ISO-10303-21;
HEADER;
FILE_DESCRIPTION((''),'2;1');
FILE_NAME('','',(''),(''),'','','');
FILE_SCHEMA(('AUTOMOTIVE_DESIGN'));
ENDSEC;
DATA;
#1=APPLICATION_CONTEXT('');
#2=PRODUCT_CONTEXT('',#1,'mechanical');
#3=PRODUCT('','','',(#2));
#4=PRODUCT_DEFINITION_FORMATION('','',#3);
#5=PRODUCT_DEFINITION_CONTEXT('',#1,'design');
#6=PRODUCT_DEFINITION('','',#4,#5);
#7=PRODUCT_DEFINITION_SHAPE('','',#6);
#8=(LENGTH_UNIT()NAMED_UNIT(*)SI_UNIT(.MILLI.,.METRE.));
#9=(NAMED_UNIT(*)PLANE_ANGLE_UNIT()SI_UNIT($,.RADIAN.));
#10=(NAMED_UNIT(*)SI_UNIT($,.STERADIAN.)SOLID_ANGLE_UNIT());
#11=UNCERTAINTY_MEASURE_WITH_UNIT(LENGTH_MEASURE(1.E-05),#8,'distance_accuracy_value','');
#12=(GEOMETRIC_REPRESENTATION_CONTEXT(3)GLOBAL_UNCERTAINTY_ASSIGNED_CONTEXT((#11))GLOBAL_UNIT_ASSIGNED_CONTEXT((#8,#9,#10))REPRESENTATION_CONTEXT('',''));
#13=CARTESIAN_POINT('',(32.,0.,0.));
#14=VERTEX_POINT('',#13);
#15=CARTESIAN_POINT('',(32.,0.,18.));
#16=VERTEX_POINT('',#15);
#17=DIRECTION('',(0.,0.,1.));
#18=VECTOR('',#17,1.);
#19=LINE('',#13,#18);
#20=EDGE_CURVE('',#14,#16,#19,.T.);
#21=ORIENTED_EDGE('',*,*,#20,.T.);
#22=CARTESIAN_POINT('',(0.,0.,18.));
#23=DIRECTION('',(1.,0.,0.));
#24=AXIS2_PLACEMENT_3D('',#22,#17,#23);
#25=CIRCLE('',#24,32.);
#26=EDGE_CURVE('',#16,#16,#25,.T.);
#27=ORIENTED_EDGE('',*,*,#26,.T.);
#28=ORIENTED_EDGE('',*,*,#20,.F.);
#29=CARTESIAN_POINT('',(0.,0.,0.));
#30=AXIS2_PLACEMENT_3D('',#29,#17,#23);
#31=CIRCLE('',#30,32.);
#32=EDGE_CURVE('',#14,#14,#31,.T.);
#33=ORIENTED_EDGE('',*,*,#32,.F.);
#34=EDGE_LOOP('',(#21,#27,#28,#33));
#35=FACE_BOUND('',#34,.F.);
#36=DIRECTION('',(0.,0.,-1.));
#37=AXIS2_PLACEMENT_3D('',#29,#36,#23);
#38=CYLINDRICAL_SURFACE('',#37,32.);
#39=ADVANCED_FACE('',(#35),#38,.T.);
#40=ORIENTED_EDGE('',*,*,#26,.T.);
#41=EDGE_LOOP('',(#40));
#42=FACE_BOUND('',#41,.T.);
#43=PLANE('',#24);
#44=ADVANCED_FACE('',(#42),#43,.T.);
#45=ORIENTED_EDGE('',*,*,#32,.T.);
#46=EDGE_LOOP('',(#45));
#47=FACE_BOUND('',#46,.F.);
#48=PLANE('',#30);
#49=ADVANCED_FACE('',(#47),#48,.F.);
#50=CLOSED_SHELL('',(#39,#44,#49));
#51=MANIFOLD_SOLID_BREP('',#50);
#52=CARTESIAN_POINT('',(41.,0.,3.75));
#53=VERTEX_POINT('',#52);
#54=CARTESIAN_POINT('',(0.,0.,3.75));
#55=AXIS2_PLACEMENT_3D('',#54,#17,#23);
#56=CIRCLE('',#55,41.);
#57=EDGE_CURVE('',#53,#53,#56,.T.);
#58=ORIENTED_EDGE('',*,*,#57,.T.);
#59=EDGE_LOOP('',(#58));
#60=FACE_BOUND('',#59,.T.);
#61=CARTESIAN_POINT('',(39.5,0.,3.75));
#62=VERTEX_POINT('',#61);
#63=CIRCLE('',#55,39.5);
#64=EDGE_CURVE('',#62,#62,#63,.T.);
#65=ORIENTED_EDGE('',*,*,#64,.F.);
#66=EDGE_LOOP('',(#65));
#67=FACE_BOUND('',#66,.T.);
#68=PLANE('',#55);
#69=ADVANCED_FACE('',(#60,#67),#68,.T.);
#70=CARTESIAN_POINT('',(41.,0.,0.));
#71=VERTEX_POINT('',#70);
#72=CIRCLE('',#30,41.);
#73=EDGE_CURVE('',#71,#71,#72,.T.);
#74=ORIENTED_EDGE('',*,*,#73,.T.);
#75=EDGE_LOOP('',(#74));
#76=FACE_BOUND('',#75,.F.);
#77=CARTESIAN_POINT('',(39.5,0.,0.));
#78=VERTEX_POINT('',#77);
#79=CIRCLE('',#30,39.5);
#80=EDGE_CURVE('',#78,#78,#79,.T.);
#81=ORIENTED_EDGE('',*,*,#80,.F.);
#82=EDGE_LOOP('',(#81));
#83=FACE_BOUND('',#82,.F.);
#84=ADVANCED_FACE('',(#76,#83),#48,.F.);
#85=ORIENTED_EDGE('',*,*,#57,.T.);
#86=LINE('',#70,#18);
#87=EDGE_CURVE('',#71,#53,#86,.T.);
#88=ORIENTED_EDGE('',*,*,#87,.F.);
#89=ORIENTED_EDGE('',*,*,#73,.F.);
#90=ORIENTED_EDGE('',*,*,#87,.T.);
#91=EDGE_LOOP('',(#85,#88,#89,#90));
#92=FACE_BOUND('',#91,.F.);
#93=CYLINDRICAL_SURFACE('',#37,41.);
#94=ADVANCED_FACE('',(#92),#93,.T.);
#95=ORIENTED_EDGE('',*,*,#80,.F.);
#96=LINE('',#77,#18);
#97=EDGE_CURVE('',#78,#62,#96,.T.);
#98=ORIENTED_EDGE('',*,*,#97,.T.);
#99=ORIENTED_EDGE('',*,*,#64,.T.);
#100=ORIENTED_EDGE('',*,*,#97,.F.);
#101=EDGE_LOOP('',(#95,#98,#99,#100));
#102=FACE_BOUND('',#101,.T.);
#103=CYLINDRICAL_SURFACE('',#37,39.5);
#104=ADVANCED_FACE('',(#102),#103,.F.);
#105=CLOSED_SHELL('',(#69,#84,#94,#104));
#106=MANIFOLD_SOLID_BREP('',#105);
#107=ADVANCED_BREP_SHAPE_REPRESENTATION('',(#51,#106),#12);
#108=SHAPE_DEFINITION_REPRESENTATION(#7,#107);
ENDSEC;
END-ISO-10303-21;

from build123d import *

# Parameters (mm, degrees)
F0_R     = 41
F0_R_2   = 39.5
F1_DEPTH = 3.75
F2_R     = 32
F3_DEPTH = 18


with BuildPart() as f1:
    # F0 (on Top) → F1 (new body)
    with BuildSketch(Plane.XY):
        Circle(F0_R)
        Circle(F0_R_2, mode=Mode.SUBTRACT)
    extrude(amount=F1_DEPTH)


with BuildPart() as f3:
    # F2 (on Top) → F3 (new body)
    with BuildSketch(Plane.XY):
        Circle(F2_R)
    extrude(amount=F3_DEPTH)


solid = Compound([f1.part, f3.part])
